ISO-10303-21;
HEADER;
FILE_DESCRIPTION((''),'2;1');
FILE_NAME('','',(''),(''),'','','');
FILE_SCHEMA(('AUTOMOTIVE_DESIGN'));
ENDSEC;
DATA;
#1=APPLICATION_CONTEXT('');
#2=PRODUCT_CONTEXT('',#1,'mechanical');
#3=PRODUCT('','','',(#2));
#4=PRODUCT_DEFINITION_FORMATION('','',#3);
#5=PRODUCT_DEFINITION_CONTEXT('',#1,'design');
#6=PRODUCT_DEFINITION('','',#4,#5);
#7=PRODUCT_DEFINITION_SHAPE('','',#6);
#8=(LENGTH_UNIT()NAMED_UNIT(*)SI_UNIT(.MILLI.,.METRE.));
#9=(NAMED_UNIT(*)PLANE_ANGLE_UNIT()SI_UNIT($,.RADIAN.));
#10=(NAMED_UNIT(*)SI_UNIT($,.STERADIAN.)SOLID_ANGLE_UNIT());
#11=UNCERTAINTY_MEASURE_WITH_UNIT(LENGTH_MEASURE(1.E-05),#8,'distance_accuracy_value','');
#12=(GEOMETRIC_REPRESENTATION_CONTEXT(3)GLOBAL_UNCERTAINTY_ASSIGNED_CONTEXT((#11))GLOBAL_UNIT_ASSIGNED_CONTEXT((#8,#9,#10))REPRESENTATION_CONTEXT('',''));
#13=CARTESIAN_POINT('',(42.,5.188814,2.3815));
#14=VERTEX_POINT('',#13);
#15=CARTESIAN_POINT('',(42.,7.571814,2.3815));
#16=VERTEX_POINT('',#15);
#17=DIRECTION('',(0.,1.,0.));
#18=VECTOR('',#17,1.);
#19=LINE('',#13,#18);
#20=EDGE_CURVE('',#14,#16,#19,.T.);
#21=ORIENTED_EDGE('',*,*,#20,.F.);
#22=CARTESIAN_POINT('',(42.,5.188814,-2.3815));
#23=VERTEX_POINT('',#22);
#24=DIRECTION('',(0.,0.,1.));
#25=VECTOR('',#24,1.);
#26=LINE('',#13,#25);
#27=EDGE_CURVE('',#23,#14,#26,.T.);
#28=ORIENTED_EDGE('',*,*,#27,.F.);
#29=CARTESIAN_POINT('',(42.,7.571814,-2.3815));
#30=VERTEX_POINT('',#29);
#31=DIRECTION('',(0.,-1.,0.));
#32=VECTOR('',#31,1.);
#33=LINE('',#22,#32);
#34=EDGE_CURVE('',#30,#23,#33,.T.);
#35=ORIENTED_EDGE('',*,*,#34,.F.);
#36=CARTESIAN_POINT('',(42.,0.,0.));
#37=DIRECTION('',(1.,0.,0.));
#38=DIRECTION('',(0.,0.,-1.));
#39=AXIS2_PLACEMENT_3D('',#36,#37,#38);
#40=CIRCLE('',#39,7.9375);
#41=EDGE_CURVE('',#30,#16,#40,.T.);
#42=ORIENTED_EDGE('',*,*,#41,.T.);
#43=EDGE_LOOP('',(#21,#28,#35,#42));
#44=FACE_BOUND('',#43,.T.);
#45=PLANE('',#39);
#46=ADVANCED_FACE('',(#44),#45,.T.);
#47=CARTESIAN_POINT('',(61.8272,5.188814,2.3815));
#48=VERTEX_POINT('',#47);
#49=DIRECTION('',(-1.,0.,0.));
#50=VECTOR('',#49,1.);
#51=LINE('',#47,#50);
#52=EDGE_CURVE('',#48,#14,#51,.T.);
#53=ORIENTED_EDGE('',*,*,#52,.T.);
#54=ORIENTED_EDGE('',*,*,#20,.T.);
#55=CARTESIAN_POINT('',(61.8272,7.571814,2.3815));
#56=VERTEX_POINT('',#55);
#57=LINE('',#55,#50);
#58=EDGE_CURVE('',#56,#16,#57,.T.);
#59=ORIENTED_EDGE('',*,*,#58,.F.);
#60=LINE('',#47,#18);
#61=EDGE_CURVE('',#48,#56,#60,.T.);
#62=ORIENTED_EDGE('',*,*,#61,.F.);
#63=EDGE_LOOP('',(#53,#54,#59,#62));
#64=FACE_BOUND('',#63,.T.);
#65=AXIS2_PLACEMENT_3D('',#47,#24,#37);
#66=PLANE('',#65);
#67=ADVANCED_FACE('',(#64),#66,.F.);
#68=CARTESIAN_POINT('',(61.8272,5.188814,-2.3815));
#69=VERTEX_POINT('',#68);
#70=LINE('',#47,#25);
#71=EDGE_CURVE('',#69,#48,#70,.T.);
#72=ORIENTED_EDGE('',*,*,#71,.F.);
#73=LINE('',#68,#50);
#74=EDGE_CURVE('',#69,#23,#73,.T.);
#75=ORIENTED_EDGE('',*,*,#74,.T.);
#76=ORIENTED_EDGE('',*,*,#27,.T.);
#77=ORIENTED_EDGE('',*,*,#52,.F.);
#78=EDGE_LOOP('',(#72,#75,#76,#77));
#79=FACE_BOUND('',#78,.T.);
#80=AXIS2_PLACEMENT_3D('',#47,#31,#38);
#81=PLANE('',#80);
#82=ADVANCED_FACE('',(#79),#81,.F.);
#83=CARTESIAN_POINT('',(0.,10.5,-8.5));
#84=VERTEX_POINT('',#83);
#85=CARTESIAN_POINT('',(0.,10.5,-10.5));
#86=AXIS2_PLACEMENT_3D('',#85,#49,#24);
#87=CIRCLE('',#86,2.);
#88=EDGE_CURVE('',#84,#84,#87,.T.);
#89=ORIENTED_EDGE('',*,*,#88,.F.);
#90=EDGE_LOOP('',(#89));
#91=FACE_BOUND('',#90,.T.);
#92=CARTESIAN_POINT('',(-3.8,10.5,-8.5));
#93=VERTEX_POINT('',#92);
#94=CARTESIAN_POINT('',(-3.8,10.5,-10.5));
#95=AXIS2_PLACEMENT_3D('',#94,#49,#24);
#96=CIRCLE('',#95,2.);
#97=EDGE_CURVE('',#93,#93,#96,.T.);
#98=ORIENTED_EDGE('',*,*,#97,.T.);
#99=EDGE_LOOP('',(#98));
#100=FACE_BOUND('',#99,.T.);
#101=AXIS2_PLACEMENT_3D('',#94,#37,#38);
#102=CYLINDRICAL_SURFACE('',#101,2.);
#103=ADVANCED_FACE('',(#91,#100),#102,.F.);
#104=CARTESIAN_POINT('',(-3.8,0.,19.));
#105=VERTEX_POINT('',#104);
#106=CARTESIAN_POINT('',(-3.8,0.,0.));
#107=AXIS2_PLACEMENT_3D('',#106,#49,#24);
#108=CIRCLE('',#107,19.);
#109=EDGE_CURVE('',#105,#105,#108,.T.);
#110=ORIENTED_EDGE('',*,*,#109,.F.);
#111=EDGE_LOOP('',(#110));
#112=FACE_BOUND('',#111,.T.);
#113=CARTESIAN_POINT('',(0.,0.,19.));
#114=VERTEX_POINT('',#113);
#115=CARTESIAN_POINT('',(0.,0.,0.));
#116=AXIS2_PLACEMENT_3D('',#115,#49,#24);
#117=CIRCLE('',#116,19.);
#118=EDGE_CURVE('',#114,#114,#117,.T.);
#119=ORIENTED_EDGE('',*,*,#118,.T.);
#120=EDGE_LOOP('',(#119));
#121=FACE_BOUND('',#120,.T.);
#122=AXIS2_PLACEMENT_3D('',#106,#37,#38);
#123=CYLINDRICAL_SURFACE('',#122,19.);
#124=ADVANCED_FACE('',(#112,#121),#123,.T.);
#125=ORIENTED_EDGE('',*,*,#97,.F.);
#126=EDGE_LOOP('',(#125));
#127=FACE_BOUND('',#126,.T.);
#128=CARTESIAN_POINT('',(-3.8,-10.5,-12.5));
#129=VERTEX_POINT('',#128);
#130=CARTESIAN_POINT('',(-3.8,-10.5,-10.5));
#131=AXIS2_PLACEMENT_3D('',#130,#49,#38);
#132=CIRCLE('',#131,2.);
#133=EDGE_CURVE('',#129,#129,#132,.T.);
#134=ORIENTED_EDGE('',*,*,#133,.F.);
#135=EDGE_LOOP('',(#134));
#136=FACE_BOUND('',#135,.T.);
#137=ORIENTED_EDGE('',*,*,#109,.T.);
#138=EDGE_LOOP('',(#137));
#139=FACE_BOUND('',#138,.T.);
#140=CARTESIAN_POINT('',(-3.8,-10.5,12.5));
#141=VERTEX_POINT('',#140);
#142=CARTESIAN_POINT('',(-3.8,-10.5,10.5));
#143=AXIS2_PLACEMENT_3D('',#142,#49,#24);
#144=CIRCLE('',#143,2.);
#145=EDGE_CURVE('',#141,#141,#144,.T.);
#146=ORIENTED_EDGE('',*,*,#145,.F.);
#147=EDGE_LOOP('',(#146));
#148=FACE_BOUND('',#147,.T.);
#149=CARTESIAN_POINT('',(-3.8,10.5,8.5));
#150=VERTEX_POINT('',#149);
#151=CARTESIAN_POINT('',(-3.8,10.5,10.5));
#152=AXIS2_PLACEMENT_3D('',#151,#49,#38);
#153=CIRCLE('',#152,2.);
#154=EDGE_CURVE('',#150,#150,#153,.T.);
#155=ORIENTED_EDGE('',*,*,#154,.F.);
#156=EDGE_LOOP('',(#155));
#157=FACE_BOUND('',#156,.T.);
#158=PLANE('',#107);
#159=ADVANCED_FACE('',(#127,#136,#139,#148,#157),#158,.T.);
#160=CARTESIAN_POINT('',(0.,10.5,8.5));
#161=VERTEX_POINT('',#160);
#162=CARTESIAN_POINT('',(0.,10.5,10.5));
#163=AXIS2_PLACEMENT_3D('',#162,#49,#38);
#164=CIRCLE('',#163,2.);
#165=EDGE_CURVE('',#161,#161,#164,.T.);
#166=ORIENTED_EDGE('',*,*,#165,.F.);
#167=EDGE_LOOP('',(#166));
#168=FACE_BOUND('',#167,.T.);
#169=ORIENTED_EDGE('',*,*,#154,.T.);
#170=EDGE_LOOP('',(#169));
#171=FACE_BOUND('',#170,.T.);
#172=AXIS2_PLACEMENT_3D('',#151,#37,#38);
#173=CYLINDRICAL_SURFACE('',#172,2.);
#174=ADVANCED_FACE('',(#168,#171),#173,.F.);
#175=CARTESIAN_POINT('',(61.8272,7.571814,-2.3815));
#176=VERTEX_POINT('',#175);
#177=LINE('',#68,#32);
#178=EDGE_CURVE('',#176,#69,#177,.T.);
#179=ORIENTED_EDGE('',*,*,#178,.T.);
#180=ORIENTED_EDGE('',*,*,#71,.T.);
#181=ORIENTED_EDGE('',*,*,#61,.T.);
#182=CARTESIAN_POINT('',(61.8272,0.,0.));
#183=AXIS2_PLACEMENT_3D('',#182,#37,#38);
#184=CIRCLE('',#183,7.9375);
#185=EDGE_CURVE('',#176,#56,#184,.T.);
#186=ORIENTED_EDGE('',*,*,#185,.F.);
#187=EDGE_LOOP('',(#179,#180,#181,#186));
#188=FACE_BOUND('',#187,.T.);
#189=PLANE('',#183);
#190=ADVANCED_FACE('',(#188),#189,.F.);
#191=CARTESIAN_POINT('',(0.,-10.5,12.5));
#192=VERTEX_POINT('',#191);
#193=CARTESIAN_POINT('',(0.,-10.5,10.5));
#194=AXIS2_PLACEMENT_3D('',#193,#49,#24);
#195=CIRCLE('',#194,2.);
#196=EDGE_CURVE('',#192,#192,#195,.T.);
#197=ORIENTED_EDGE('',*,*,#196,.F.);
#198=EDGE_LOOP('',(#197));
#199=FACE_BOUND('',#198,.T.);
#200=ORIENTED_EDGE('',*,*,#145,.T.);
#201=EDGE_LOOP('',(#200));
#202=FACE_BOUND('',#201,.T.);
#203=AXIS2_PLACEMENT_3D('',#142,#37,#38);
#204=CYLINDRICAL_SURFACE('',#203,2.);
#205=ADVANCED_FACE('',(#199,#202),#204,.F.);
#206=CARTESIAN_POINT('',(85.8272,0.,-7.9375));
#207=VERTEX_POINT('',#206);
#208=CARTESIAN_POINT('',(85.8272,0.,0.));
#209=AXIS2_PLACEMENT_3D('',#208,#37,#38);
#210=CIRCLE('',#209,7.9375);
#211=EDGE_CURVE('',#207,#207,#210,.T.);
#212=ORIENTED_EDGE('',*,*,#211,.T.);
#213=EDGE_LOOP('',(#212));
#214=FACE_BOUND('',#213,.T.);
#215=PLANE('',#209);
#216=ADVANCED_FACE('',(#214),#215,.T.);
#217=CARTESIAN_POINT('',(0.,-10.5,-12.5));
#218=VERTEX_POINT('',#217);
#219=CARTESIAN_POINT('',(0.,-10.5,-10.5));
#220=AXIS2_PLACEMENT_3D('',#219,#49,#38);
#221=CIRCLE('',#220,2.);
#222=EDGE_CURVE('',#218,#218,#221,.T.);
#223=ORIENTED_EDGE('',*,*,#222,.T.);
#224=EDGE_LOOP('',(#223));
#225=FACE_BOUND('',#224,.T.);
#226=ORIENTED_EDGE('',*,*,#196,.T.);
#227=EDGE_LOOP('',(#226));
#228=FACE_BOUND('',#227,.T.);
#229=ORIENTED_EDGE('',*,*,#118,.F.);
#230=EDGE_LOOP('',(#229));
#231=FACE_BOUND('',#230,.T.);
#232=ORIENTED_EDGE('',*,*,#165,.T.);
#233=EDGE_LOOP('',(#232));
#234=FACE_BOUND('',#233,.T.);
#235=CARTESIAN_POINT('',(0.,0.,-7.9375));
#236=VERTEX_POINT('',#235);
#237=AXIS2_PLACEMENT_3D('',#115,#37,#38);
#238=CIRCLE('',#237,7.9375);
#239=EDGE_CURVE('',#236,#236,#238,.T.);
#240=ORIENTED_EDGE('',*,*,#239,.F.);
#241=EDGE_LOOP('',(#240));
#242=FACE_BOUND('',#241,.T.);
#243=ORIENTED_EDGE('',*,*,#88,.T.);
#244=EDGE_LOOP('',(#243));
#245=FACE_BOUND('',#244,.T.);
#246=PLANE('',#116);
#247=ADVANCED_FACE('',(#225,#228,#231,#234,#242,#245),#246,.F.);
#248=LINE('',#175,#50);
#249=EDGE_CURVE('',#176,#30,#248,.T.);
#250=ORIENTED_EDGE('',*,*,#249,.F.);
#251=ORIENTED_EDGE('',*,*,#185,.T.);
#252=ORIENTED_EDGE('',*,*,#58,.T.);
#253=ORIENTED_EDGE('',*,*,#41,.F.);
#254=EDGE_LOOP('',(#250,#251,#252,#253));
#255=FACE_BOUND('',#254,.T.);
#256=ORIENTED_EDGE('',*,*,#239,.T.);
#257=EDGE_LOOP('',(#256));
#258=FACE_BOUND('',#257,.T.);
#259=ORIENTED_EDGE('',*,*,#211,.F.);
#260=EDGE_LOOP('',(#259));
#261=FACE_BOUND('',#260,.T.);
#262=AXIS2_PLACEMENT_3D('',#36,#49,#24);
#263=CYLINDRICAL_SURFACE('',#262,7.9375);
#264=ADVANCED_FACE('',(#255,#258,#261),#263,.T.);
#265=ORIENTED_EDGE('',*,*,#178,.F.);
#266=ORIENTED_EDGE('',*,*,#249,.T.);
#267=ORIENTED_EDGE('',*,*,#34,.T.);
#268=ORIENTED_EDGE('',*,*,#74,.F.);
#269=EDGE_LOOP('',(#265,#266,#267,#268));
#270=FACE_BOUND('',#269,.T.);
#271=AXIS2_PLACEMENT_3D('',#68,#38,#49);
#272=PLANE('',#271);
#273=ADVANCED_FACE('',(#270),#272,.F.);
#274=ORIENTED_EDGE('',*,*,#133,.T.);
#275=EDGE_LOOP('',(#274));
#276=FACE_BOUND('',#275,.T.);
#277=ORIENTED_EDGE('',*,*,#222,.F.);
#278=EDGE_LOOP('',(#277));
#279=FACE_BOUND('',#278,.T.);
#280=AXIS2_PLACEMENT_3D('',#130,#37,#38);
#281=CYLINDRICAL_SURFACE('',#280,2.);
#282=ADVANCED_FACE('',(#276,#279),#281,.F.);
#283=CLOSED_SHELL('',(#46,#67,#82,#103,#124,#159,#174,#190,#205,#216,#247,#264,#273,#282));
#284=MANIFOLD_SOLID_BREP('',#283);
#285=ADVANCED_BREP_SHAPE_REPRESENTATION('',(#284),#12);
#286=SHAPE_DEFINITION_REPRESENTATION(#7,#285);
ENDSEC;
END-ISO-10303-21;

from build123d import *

# Parameters (mm, degrees)
SKETCH1_R           = 7.9375
BOSS_EXTRUDE1_DEPTH = 42
SKETCH4_R           = 19
SKETCH4_R_2         = 2
BOSS_EXTRUDE3_DEPTH = 3.8
BOSS_EXTRUDE5_DEPTH = 19.8272
SKETCH7_R           = 7.9375
BOSS_EXTRUDE6_DEPTH = 24


with BuildPart() as part:
    # Sketch1 → Boss-Extrude1 (new body)
    with BuildSketch(Plane(origin=(0, 0, 0), x_dir=(0, 0, -1), z_dir=(1, 0, 0))):
        Circle(SKETCH1_R)
    extrude(amount=BOSS_EXTRUDE1_DEPTH)

    # Sketch4 → Boss-Extrude3 (add)
    with BuildSketch(Plane.ZY):
        Circle(SKETCH4_R)
        with Locations((-10.5, 10.5)):
            Circle(SKETCH4_R_2, mode=Mode.SUBTRACT)
        with Locations((10.5, 10.5)):
            Circle(SKETCH4_R_2, mode=Mode.SUBTRACT)
        with Locations((10.5, -10.5)):
            Circle(SKETCH4_R_2, mode=Mode.SUBTRACT)
        with Locations((-10.5, -10.5)):
            Circle(SKETCH4_R_2, mode=Mode.SUBTRACT)
    extrude(amount=BOSS_EXTRUDE3_DEPTH)

    # Sketch6 → Boss-Extrude5 (add)
    with BuildSketch(Plane(origin=(42, 0, 0), x_dir=(0, 0, -1), z_dir=(1, 0, 0))):
        with BuildLine():
            Line((-2.3815, 5.188813785), (2.3815, 5.188813785))
            Line((2.3815, 5.188813785), (2.3815, 7.571813785))
            ThreePointArc((2.3815, 7.571813785), (0, -7.9375), (-2.3815, 7.571813785))
            Line((-2.3815, 7.571813785), (-2.3815, 5.188813785))
        make_face()
    extrude(amount=BOSS_EXTRUDE5_DEPTH)

    # Sketch7 → Boss-Extrude6 (add)
    with BuildSketch(Plane(origin=(61.8272, 0, 0), x_dir=(0, 0, -1), z_dir=(1, 0, 0))):
        Circle(SKETCH7_R)
    extrude(amount=BOSS_EXTRUDE6_DEPTH)


solid = part.part
